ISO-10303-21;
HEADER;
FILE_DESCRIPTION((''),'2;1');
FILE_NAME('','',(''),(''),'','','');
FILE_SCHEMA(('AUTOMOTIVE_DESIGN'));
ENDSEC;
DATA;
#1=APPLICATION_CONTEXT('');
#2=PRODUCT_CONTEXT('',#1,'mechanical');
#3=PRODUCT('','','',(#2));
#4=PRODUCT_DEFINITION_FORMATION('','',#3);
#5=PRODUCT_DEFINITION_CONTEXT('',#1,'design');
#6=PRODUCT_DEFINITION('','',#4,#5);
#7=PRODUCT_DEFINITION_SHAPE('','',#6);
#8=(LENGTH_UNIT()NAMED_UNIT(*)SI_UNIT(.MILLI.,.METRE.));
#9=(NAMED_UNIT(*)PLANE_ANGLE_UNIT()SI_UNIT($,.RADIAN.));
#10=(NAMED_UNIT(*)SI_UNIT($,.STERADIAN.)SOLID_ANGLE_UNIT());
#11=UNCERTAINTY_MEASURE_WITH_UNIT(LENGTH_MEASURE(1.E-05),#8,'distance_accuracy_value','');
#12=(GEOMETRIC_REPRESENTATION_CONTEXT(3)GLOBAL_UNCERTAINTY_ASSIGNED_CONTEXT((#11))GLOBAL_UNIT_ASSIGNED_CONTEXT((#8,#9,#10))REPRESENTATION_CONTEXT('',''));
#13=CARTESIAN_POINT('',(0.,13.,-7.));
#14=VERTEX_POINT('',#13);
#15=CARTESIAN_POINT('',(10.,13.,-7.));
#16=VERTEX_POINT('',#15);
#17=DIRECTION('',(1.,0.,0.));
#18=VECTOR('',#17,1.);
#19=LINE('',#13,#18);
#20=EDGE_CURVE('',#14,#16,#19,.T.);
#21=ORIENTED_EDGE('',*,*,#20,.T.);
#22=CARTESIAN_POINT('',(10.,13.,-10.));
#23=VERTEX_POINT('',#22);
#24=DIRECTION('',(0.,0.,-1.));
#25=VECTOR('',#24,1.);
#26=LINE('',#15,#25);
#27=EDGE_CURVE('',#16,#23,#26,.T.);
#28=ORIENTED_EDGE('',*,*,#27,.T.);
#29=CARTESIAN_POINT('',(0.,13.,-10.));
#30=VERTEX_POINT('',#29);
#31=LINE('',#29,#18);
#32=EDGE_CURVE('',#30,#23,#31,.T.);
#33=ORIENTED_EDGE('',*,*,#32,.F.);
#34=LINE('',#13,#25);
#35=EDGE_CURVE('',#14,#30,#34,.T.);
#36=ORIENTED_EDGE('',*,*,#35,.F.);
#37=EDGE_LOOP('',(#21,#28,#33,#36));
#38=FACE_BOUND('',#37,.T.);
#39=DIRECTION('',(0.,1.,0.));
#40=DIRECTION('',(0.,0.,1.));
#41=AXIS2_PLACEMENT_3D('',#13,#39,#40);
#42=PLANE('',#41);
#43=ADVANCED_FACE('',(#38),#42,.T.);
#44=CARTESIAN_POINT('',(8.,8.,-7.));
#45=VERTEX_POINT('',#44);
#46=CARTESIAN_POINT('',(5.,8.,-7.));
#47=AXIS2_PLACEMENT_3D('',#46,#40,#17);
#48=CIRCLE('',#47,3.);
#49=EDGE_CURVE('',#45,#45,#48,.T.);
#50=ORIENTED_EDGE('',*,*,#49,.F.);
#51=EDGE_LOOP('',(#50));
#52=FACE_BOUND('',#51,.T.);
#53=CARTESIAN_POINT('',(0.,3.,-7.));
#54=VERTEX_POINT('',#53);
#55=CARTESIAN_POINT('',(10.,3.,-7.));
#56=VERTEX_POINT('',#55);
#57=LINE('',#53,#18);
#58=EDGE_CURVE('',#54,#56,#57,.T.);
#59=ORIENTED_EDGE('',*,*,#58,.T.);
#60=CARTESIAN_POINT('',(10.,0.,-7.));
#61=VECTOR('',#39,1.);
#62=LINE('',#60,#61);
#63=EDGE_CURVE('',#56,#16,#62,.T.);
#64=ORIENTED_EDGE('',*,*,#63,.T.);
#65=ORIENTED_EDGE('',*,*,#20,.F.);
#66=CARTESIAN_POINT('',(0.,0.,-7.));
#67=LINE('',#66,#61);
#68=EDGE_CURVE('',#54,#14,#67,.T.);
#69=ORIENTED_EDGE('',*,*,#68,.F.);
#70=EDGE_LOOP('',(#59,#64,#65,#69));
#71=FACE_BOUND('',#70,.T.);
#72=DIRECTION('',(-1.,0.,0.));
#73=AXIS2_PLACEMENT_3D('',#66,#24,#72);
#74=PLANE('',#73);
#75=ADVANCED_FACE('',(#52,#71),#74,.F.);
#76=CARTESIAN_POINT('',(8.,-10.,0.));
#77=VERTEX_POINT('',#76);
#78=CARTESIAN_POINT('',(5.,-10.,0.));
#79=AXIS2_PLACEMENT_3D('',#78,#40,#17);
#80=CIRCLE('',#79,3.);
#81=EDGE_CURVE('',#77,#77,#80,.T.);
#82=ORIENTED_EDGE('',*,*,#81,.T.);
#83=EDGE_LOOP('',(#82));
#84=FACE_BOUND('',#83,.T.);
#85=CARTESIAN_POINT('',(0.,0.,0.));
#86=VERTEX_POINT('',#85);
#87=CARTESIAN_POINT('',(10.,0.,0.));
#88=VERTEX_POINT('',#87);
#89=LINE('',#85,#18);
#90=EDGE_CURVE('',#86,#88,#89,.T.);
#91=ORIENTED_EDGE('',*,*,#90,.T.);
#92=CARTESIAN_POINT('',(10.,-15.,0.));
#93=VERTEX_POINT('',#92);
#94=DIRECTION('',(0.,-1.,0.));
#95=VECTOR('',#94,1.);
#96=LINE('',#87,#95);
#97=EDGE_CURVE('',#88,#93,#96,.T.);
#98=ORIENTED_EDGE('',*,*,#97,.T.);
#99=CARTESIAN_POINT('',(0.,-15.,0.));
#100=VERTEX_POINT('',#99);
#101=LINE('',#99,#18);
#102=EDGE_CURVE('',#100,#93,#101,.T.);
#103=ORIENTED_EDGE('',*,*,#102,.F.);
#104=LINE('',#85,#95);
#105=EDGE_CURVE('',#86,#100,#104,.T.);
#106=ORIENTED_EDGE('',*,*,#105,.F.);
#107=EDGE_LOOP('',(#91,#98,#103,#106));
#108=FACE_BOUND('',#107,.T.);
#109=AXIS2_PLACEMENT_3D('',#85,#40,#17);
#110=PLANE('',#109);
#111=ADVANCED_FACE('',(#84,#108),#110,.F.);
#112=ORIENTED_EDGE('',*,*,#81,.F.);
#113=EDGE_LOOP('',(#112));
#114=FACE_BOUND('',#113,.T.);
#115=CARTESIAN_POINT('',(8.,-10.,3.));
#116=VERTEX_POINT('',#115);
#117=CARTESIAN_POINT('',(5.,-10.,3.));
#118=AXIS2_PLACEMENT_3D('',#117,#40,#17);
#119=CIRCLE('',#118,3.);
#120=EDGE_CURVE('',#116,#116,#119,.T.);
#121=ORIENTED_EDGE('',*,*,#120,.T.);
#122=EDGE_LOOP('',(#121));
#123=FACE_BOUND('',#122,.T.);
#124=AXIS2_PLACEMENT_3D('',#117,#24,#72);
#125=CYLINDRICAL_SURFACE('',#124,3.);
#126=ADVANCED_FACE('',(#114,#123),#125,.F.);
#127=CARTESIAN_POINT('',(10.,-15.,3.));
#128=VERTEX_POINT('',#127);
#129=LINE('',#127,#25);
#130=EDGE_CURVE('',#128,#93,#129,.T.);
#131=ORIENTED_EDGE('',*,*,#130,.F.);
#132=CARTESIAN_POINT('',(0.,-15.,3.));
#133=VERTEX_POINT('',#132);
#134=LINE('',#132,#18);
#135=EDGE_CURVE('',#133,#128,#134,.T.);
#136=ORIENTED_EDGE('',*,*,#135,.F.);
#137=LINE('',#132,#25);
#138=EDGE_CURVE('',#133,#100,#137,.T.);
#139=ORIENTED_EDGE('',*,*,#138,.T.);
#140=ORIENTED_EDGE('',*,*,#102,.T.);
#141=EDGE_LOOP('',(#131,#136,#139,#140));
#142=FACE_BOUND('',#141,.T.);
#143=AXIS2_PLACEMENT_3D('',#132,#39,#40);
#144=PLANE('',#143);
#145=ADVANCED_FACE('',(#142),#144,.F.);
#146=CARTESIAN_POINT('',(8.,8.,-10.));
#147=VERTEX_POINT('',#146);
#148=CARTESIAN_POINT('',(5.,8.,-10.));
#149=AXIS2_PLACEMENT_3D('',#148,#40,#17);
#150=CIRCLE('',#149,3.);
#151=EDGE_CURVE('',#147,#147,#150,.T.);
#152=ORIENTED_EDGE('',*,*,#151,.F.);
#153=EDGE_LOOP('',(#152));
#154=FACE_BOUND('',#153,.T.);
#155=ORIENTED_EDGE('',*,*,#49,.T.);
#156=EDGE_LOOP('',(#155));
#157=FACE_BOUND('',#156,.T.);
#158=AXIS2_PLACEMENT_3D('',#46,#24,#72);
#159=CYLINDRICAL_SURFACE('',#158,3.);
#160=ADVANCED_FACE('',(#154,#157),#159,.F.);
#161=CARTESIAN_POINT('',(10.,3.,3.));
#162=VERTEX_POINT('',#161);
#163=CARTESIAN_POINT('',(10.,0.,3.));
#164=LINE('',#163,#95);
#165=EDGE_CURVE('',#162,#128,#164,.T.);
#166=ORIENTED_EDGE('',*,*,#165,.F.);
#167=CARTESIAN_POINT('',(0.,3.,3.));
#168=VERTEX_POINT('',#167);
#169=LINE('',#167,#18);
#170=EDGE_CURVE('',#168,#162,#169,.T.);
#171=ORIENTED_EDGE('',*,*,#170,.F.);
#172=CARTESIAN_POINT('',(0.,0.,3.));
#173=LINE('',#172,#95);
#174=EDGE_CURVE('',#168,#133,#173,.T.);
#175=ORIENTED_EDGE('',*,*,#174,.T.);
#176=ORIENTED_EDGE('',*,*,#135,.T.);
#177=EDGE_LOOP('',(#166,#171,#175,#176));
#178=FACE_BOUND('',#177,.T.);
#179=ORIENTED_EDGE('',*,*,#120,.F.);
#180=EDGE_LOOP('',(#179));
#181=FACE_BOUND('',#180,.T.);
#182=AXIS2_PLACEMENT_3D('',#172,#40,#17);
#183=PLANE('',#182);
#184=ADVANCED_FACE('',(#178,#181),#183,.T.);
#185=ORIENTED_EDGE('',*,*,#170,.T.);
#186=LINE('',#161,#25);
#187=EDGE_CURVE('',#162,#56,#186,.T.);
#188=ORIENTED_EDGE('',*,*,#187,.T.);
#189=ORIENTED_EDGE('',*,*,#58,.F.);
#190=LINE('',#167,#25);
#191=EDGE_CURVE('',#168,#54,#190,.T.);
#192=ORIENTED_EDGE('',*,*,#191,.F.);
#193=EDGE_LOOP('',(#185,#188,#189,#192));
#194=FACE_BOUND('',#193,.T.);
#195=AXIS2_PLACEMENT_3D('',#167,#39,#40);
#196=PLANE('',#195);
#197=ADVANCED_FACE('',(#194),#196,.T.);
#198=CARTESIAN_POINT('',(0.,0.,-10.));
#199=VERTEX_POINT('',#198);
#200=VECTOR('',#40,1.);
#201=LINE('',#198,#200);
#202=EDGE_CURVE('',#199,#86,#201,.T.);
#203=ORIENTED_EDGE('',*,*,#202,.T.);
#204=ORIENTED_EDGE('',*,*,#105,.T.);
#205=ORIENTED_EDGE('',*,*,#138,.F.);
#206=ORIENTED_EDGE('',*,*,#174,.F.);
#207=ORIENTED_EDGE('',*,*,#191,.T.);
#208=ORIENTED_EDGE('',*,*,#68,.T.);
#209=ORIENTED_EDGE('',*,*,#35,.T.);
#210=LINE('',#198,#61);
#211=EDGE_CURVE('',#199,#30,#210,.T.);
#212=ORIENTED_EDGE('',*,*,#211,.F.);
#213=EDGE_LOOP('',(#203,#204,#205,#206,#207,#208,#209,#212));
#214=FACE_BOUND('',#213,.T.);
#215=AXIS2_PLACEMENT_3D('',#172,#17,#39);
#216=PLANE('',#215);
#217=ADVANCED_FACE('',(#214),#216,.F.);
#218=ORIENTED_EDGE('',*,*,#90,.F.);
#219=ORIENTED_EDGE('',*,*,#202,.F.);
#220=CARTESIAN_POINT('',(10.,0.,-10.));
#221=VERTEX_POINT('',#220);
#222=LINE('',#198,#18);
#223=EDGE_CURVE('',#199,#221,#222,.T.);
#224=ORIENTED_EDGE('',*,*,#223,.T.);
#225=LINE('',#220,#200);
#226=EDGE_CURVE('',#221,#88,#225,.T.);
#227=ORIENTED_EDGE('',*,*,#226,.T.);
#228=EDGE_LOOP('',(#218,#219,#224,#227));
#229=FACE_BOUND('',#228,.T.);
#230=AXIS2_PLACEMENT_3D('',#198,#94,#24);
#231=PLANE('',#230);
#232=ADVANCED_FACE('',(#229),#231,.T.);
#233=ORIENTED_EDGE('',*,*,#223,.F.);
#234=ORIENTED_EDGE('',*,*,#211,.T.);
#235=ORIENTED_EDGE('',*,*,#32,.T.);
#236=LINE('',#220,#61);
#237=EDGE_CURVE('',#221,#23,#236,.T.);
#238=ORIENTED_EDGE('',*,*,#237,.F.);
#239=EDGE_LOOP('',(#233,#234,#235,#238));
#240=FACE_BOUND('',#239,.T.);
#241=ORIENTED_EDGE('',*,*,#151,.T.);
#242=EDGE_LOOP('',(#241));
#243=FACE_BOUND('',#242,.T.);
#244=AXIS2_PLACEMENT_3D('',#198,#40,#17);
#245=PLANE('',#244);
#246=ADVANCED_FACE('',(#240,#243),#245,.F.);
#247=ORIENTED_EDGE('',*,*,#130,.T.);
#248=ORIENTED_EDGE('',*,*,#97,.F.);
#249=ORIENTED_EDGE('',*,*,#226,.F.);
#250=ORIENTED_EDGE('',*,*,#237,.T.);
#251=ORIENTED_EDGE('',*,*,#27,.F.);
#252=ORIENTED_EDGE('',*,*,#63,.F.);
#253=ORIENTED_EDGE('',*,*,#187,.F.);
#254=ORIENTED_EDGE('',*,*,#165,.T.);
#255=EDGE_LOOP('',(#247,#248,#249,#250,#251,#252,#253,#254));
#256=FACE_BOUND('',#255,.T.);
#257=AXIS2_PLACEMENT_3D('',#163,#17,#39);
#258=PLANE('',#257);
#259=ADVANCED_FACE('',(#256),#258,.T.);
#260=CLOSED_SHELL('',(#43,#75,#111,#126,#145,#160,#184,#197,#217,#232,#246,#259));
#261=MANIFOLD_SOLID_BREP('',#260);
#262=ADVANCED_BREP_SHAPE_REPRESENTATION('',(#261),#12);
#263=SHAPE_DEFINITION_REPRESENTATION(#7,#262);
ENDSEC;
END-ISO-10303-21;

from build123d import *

# Parameters (mm, degrees)
SKETCH1_W           = 10
SKETCH1_H           = 15
SKETCH1_R           = 3
SKETCH1_H_2         = 3
BOSS_EXTRUDE1_DEPTH = 3
SKETCH1_4_W         = 10
SKETCH1_4_H         = 3
BOSS_EXTRUDE2_DEPTH = 10
BOSS_EXTRUDE3_START = -10
SKETCH1_5_W         = 10
SKETCH1_5_H         = 10
SKETCH1_5_R         = 3
BOSS_EXTRUDE3_DEPTH = 3


with BuildPart() as part:
    # Sketch1 → Boss-Extrude1 (new body)
    # profile 1 of 2: a face of its own
    with BuildSketch(Plane.XY):
        with Locations((5, -7.5)):
            Rectangle(SKETCH1_W, SKETCH1_H)
        with Locations((5, -10)):
            Circle(SKETCH1_R, mode=Mode.SUBTRACT)
    # profile 2 of 2: a face of its own
    with BuildSketch(Plane.XY):
        with Locations((5, 1.5)):
            Rectangle(SKETCH1_W, SKETCH1_H_2)
    extrude(amount=BOSS_EXTRUDE1_DEPTH)

    # Sketch1<4> → Boss-Extrude2 (add)
    with BuildSketch(Plane.XY):
        with Locations((5, 1.5)):
            Rectangle(SKETCH1_4_W, SKETCH1_4_H)
    extrude(amount=-BOSS_EXTRUDE2_DEPTH)

    # Sketch1<5> → Boss-Extrude3 (add)
    with BuildSketch(Plane.XY.offset(BOSS_EXTRUDE3_START)):
        with Locations((5, 8)):
            Rectangle(SKETCH1_5_W, SKETCH1_5_H)
        with Locations((5, 8)):
            Circle(SKETCH1_5_R, mode=Mode.SUBTRACT)
    extrude(amount=BOSS_EXTRUDE3_DEPTH)


solid = part.part
